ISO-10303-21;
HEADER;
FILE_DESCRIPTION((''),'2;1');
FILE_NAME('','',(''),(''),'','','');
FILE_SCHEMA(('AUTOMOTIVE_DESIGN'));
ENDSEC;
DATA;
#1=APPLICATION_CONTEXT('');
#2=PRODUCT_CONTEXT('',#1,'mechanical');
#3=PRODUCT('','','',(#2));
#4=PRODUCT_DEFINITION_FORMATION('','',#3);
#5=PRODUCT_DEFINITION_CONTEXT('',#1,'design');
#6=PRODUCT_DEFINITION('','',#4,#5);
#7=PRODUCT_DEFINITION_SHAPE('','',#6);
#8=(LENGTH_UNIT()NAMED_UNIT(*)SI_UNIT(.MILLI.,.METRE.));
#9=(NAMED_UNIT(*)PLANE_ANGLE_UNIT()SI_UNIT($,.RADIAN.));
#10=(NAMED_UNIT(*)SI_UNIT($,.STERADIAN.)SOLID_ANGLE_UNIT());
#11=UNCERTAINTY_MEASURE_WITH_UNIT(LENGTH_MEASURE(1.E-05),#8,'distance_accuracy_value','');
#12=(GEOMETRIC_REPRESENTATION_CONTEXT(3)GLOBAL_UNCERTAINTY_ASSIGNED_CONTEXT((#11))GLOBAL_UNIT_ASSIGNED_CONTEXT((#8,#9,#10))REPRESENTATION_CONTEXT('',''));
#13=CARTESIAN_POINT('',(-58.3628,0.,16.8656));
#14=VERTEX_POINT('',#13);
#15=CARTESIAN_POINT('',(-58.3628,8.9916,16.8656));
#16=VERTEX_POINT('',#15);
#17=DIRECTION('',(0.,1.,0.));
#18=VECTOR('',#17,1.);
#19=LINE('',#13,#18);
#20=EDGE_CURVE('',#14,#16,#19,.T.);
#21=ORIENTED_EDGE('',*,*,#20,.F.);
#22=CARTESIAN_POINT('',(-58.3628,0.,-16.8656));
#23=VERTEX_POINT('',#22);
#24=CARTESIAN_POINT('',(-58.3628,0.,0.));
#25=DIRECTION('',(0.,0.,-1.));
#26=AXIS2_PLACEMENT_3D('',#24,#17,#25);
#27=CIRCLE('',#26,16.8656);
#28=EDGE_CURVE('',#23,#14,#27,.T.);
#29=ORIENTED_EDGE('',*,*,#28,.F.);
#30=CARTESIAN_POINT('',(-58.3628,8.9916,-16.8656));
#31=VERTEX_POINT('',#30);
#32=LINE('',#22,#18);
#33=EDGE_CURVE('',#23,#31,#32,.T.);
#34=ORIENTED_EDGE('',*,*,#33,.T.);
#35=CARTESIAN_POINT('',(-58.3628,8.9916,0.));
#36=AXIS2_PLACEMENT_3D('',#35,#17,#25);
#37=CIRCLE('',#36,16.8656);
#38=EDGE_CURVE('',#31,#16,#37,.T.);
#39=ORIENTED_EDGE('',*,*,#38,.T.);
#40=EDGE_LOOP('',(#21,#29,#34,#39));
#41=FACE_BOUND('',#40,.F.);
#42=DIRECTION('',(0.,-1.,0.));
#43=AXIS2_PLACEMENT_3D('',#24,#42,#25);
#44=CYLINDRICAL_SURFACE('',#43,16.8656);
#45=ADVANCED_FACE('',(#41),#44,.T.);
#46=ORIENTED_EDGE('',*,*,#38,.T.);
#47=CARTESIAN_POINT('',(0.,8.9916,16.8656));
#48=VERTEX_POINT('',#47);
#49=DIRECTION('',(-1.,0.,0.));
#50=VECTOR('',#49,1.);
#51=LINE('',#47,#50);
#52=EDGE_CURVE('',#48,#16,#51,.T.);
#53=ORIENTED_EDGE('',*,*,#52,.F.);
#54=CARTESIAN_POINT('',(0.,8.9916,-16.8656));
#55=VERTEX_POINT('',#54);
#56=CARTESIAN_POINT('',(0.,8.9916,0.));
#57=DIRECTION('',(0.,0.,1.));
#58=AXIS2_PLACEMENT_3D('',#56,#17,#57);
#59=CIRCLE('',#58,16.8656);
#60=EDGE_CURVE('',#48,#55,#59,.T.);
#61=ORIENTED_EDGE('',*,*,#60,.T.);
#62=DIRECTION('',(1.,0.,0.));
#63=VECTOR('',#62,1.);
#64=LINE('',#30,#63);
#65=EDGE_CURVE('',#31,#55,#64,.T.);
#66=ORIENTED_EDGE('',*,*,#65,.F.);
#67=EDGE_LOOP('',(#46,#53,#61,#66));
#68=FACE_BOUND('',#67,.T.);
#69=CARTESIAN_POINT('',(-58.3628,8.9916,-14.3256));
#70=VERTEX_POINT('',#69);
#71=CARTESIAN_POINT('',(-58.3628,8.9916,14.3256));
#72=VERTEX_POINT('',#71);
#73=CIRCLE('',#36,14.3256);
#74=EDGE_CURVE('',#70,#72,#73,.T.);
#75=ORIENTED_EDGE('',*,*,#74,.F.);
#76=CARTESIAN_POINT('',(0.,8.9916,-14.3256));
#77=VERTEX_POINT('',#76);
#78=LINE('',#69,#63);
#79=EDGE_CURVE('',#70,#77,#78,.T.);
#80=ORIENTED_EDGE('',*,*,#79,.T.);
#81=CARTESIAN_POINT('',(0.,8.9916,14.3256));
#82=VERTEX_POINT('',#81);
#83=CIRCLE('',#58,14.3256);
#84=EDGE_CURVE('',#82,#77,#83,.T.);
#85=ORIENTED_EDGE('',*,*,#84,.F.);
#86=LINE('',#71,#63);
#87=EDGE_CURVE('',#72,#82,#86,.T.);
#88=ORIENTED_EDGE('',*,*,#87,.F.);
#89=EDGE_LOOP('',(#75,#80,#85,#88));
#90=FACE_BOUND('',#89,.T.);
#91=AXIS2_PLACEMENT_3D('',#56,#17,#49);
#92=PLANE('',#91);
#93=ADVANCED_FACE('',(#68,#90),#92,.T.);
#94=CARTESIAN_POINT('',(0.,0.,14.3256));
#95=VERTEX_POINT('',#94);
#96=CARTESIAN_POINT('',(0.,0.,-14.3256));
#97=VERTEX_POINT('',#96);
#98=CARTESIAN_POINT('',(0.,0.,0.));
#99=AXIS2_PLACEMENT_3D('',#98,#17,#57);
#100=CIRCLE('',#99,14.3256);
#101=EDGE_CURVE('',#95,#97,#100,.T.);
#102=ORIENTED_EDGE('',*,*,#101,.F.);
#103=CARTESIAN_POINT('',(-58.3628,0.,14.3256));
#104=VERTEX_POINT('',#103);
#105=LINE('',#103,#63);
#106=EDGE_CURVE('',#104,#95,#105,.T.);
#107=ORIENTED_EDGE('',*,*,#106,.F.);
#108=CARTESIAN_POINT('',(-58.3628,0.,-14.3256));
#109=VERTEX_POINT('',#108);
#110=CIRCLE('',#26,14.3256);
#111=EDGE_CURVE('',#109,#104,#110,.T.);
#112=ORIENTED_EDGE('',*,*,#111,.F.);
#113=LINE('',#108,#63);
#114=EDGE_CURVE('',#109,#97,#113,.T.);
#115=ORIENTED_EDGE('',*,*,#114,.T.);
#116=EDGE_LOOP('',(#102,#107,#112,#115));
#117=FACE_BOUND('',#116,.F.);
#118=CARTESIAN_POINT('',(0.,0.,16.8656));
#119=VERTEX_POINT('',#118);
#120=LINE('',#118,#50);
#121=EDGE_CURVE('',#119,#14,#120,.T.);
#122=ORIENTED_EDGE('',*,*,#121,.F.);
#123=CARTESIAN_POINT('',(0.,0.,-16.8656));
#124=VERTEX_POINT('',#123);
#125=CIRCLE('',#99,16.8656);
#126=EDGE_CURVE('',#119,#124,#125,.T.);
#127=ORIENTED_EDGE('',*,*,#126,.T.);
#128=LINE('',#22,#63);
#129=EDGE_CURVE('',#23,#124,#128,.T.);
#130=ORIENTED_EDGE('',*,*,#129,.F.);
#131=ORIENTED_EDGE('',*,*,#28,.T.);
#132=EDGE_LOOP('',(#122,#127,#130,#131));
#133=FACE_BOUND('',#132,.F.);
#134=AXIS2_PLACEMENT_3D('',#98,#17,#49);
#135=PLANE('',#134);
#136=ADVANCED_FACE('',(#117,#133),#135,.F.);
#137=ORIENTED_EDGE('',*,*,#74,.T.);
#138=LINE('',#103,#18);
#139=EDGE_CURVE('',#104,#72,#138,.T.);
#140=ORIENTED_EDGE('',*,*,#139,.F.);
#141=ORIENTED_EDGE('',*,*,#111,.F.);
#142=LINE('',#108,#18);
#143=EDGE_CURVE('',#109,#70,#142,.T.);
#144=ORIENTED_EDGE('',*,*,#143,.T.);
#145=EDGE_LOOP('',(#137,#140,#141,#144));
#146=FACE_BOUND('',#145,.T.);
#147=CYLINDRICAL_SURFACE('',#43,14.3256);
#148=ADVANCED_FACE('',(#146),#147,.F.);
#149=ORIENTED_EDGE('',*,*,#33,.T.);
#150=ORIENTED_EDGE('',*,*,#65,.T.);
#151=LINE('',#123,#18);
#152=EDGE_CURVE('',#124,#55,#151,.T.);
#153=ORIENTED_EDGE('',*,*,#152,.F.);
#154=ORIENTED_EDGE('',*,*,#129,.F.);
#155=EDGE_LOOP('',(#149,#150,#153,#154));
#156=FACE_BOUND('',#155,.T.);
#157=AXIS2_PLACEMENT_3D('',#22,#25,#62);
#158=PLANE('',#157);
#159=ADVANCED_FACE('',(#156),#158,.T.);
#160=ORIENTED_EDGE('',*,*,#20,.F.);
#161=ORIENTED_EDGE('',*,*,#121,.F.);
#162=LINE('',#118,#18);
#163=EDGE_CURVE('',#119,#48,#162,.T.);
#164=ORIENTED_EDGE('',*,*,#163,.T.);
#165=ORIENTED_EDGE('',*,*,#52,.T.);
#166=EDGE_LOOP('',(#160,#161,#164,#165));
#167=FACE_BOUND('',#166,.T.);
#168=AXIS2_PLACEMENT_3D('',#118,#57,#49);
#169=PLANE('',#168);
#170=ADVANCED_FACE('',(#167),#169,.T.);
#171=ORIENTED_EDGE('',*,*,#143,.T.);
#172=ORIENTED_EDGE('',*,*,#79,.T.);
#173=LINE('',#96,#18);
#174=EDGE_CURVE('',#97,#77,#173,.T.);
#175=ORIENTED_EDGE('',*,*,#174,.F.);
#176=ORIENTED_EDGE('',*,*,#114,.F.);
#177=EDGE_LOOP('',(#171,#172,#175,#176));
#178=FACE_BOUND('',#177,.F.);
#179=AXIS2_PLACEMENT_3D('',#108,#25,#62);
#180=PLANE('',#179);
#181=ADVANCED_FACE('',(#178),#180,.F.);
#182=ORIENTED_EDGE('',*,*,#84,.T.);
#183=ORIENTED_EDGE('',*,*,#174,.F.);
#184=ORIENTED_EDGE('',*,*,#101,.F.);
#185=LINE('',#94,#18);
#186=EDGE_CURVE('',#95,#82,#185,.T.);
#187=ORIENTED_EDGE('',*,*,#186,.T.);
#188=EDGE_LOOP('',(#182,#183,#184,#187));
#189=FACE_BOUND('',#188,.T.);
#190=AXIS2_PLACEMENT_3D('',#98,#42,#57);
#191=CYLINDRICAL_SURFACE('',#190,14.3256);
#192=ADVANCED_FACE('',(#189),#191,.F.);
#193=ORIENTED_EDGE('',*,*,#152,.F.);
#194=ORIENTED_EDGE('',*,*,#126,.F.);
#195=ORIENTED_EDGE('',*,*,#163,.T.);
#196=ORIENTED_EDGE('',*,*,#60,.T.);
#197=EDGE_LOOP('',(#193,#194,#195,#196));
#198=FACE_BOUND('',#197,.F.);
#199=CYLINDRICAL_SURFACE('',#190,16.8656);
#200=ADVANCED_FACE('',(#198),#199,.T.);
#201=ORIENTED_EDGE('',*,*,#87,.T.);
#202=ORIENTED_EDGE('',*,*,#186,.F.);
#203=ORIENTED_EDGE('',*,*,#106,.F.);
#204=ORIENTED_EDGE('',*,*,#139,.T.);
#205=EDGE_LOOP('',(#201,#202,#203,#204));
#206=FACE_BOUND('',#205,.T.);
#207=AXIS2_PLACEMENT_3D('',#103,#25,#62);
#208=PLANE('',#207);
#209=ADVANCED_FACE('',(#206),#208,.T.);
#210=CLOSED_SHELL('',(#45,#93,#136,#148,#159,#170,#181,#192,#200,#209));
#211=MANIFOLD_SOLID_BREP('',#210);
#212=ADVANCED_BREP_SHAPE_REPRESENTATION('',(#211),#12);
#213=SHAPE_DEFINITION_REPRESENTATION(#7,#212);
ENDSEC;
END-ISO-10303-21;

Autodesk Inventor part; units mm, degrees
ref_plane "YZ Plane" through (0, 0, 0) normal (1, 0, 0) x (0, 1, 0)
ref_plane "XZ Plane" through (0, 0, 0) normal (0, 1, 0) x (-1, 0, 0)
ref_plane "XY Plane" through (0, 0, 0) normal (0, 0, 1) x (1, 0, 0)
sketch "Sketch1" plane through (0, 0, 0) normal (0, 1, 0) x (-1, 0, 0)
  circle A0 centre (0, 0) radius 14.3256 construction
  line L0 (0, 0) -> (58.3628, 0) construction
  circle A1 centre (58.3628, 0) radius 14.3256 construction
  line L1 (58.3628, 14.3256) -> (0, 14.3256)
  line L2 (58.3628, -14.3256) -> (0, -14.3256)
  arc A2 (58.3628, -14.3256) -> (58.3628, 14.3256) centre (58.3628, 0) ccw
  arc A3 (0, 14.3256) -> (0, -14.3256) centre (0, 0) ccw
  line L3 (0, 16.8656) -> (58.3628, 16.8656)
  arc A4 (58.3628, -16.8656) -> (58.3628, 16.8656) centre (58.3628, 0) ccw
  line L4 (58.3628, -16.8656) -> (0, -16.8656)
  arc A5 (0, 16.8656) -> (0, -16.8656) centre (0, 0) ccw
  dimension "d0" = 28.6512
  dimension "d1" = 58.3628
  dimension "d2" = 28.6512
  dimension "d3" = 2.54
extrude "Extrusion1" add sketch "Sketch1" along normal blind 8.9916
properties part number "INTK_013_Belt5" material "Rubber, Silicone"
